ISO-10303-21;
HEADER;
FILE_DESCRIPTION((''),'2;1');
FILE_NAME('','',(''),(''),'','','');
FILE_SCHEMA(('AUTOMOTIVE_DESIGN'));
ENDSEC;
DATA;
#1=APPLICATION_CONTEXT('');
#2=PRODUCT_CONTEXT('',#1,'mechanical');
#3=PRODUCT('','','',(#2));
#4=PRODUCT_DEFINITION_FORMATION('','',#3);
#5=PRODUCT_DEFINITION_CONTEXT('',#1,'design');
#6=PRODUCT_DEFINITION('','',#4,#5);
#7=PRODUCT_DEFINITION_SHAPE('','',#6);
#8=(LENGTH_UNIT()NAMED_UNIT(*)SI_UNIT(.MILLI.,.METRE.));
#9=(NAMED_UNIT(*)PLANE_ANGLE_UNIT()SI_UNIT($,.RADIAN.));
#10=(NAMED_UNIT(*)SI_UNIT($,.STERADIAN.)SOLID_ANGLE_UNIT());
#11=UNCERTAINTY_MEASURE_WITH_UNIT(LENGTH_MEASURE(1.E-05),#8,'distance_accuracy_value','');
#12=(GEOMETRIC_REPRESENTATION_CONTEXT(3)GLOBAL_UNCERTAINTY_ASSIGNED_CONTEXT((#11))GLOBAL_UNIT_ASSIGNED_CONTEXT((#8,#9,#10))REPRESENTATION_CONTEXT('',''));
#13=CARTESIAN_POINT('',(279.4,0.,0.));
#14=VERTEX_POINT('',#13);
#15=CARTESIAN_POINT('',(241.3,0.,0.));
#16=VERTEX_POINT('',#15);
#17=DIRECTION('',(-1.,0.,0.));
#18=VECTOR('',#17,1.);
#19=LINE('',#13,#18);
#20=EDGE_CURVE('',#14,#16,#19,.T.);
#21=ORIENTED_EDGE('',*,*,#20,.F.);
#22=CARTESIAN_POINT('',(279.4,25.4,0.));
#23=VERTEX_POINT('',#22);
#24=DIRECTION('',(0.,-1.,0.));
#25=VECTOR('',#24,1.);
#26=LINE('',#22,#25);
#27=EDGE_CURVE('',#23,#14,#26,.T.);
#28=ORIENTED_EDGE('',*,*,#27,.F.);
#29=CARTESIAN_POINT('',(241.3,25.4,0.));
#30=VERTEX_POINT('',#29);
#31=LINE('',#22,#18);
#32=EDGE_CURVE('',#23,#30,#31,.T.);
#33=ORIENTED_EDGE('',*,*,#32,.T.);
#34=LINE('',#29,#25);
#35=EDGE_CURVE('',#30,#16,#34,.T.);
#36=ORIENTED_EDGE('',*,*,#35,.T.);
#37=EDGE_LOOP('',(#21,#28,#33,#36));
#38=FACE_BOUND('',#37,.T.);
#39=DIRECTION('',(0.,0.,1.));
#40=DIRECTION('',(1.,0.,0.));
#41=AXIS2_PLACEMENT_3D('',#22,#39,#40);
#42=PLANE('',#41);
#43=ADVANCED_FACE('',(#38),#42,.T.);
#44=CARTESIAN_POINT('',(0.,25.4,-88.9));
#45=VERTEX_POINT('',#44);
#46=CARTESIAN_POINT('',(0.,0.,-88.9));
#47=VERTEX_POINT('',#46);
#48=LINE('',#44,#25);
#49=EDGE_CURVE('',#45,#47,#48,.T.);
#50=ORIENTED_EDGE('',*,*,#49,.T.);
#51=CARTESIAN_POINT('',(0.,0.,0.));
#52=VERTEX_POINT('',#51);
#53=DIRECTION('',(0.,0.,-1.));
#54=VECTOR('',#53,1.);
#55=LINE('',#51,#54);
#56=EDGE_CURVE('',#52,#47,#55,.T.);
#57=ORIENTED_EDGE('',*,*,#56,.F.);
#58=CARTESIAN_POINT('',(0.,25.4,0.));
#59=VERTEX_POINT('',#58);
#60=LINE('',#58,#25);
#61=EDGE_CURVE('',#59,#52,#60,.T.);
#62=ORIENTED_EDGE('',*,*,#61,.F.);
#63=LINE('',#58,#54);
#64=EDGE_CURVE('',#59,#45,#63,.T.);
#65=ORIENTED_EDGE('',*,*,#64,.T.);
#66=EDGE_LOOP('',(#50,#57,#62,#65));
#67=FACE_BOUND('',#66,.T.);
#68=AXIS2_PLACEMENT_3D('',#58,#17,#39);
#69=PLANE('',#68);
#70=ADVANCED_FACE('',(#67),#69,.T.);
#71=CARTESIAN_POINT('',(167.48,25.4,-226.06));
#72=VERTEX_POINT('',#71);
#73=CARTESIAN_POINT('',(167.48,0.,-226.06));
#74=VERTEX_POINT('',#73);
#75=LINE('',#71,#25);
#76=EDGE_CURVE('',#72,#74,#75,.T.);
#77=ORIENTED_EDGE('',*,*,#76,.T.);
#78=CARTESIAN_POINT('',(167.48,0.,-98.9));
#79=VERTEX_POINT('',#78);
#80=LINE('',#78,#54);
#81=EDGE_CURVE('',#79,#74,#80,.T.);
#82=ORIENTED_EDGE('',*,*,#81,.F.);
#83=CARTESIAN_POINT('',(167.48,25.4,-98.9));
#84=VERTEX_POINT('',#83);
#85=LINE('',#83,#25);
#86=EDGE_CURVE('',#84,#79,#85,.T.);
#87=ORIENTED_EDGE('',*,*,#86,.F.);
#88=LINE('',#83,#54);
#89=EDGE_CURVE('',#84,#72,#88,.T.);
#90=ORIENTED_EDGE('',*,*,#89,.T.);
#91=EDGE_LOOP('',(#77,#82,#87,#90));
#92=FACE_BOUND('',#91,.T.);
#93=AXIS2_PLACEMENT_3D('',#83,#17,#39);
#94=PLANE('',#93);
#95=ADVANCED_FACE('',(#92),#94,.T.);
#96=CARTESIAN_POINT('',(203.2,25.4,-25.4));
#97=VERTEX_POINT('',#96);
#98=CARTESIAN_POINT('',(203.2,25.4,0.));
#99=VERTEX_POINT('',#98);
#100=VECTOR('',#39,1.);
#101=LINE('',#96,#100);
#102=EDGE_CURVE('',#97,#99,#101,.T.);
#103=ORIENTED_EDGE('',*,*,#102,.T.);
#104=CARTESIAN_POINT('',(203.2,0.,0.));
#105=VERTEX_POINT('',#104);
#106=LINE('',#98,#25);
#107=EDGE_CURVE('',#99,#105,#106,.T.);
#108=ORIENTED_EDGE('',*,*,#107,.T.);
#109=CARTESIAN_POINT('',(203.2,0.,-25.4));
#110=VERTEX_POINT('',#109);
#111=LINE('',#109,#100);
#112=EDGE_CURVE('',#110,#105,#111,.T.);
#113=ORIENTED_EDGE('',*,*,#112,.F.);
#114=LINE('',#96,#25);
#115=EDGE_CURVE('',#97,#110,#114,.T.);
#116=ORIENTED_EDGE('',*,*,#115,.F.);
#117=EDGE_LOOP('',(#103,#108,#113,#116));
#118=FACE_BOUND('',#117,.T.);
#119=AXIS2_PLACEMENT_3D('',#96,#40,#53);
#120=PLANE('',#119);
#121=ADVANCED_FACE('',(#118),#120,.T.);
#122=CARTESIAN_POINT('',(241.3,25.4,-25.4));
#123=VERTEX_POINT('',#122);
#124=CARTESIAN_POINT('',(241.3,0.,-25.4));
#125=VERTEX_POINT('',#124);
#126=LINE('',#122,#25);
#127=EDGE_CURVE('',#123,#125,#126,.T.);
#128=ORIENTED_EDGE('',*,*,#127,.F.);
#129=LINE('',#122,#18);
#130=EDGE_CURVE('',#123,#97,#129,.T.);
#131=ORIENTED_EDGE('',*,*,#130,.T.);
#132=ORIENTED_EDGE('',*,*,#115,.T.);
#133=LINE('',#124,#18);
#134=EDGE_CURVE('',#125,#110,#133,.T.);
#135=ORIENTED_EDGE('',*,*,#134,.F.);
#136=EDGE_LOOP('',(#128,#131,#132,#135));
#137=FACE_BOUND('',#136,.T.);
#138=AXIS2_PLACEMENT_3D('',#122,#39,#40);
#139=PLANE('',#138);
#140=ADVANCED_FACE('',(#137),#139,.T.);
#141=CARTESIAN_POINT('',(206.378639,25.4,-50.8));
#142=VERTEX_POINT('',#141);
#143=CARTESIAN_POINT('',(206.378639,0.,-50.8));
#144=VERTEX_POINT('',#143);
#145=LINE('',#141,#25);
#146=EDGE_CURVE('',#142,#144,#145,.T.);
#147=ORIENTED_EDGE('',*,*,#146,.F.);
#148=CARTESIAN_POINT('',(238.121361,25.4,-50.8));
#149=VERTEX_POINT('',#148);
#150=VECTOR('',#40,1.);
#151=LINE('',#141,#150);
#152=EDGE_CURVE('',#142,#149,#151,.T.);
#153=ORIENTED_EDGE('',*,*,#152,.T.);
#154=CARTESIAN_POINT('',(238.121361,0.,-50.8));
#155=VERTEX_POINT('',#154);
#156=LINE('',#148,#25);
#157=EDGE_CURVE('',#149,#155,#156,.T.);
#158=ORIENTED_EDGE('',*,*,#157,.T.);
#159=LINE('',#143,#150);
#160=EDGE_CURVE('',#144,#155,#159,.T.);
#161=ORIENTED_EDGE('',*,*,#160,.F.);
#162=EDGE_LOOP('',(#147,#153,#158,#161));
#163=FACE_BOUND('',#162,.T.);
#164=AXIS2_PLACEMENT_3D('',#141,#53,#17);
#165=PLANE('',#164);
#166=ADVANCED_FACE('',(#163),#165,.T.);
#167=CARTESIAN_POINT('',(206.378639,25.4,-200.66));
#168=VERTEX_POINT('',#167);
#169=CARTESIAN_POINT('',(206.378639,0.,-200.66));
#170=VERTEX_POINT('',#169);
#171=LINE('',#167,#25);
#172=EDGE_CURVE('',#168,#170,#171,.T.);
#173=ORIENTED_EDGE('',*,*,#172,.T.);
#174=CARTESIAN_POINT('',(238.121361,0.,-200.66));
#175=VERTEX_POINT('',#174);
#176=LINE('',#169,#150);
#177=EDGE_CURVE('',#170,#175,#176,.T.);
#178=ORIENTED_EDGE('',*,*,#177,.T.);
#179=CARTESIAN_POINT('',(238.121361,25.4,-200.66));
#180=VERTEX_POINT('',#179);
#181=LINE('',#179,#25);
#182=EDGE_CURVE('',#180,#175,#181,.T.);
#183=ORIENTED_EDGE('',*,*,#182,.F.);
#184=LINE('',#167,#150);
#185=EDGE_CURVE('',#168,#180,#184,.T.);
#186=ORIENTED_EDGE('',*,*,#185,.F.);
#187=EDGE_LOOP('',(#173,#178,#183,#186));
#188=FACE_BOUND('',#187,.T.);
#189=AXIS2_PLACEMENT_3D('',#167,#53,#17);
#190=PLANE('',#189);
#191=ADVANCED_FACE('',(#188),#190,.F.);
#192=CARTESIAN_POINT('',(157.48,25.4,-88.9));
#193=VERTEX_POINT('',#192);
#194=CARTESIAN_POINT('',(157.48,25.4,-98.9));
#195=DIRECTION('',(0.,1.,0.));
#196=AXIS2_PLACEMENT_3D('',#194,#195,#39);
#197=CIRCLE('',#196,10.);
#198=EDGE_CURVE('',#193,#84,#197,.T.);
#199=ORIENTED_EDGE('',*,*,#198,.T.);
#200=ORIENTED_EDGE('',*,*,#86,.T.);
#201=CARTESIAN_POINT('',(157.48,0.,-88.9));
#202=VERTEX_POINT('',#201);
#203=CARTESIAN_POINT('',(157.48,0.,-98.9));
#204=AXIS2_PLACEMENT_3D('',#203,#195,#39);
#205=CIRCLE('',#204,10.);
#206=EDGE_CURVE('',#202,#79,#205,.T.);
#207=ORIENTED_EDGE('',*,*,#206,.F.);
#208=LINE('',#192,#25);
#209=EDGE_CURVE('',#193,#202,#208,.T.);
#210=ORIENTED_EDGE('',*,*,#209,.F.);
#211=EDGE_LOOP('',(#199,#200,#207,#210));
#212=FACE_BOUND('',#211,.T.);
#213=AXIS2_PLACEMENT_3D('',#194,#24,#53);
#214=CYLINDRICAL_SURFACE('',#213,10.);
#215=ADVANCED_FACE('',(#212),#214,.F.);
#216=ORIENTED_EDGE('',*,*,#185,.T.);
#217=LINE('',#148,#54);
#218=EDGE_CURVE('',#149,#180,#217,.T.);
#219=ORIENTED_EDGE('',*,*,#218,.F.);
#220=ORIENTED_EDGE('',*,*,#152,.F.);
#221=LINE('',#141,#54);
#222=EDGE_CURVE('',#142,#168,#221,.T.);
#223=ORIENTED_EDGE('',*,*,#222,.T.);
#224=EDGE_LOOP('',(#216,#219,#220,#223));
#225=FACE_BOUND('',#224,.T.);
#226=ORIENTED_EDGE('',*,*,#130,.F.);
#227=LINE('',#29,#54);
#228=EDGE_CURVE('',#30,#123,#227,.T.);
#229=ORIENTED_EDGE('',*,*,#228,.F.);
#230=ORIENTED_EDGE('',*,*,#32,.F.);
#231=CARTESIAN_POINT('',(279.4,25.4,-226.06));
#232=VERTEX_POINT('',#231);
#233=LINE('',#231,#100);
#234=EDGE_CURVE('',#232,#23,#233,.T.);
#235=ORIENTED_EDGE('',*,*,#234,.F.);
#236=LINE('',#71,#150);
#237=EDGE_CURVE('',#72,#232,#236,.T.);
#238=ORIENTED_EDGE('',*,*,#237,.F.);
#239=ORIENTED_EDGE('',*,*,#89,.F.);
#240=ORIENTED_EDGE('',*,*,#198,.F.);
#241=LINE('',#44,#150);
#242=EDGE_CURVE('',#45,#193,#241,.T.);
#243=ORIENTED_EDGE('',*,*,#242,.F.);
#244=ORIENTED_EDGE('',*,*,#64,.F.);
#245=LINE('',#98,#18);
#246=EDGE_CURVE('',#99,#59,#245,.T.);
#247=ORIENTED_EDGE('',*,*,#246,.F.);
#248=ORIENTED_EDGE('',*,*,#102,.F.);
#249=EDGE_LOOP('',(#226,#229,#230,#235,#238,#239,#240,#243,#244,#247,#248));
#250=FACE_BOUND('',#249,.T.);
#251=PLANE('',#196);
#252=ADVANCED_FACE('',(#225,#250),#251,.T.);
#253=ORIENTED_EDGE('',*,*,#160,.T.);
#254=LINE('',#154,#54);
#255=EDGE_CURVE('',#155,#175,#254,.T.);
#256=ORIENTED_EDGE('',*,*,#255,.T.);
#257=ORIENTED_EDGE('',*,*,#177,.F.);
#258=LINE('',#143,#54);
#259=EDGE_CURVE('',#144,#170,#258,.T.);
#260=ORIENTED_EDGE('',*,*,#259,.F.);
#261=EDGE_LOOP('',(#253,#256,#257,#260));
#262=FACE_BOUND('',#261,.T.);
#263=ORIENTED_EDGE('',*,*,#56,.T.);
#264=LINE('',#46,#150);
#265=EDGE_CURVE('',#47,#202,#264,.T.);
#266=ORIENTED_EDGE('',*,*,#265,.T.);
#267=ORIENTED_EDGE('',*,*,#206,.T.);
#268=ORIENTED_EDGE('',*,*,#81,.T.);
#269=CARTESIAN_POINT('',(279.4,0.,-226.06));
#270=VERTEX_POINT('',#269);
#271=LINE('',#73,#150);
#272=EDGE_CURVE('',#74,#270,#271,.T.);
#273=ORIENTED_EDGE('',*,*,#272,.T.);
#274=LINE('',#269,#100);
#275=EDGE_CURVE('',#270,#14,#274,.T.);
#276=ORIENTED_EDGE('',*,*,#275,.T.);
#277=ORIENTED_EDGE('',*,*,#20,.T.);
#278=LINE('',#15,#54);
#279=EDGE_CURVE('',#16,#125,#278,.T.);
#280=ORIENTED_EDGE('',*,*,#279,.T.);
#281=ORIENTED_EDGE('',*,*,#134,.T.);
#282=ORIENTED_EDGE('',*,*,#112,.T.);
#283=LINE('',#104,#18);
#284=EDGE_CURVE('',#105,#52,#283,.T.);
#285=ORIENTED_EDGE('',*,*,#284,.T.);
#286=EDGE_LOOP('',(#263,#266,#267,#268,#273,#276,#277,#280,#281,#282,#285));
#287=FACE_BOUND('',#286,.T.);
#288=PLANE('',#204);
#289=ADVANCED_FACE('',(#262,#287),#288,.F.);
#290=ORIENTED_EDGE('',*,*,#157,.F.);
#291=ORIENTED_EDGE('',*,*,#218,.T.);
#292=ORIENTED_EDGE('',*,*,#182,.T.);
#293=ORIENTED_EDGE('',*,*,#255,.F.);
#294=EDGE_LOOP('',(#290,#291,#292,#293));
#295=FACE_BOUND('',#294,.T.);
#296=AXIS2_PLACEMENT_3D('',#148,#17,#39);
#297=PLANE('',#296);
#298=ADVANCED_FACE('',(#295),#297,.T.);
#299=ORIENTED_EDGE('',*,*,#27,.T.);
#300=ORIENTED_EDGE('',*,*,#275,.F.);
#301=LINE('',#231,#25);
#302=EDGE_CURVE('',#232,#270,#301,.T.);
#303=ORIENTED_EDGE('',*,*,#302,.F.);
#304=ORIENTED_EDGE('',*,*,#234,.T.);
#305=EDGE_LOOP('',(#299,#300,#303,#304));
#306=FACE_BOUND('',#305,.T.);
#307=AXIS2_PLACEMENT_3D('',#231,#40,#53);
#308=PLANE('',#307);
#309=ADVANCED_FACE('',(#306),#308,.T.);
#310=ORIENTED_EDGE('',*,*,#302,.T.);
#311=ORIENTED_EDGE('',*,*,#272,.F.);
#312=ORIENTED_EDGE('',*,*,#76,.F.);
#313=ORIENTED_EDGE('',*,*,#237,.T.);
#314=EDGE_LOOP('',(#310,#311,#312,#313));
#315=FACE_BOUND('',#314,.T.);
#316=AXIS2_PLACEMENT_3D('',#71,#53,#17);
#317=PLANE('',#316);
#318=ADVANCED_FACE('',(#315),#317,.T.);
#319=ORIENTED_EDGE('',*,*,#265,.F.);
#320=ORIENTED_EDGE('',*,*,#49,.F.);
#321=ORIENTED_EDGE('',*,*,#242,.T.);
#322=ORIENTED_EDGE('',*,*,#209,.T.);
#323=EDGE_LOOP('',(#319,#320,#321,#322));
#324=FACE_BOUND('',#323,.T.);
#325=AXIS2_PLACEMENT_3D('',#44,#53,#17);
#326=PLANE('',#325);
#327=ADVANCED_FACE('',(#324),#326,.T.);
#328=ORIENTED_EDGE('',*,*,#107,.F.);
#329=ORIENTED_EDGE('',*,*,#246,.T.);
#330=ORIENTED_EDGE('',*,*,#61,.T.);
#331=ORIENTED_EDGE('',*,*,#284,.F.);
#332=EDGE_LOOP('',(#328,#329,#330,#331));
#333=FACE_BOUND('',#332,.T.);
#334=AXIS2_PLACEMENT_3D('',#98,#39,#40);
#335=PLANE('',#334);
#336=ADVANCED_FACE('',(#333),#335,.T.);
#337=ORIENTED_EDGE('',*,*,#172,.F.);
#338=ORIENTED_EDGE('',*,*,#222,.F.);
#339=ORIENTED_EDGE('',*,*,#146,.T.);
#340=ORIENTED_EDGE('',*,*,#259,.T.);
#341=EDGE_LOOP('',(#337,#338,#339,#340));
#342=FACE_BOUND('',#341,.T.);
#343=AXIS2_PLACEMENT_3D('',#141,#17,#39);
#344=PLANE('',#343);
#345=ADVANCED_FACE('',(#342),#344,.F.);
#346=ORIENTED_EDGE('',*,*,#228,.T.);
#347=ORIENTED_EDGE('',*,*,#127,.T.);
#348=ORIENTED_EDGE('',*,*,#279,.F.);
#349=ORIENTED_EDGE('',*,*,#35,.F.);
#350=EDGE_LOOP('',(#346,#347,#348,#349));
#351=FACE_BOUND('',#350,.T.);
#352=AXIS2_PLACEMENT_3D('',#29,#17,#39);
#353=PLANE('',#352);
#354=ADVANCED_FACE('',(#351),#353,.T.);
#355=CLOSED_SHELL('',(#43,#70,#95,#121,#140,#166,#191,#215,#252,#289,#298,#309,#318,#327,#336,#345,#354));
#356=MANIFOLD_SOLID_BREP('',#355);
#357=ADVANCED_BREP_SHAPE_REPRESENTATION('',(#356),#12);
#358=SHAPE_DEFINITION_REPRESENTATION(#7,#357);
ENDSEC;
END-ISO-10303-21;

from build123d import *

# Parameters (mm, degrees)
SKETCH1_W           = 31.742721484
SKETCH1_H           = 149.86
BOSS_EXTRUDE1_DEPTH = 25.4


with BuildPart() as part:
    # Sketch1 → Boss-Extrude1 (new body)
    with BuildSketch(Plane(origin=(0, 0, 0), x_dir=(1, 0, 0), z_dir=(0, 1, 0))):
        with BuildLine():
            Line((0, 0), (0, 88.9))
            Line((0, 88.9), (157.48, 88.9))
            ThreePointArc((157.48, 88.9), (164.551067812, 91.828932188), (167.48, 98.9))
            Line((167.48, 98.9), (167.48, 226.06))
            Line((167.48, 226.06), (279.4, 226.06))
            Line((279.4, 226.06), (279.4, 0))
            Line((279.4, 0), (241.3, 0))
            Line((241.3, 0), (241.3, 25.4))
            Line((241.3, 25.4), (203.2, 25.4))
            Line((203.2, 25.4), (203.2, 0))
            Line((203.2, 0), (0, 0))
        make_face()
        with Locations((222.25, 125.73)):
            Rectangle(SKETCH1_W, SKETCH1_H, mode=Mode.SUBTRACT)
    extrude(amount=BOSS_EXTRUDE1_DEPTH)


solid = part.part
